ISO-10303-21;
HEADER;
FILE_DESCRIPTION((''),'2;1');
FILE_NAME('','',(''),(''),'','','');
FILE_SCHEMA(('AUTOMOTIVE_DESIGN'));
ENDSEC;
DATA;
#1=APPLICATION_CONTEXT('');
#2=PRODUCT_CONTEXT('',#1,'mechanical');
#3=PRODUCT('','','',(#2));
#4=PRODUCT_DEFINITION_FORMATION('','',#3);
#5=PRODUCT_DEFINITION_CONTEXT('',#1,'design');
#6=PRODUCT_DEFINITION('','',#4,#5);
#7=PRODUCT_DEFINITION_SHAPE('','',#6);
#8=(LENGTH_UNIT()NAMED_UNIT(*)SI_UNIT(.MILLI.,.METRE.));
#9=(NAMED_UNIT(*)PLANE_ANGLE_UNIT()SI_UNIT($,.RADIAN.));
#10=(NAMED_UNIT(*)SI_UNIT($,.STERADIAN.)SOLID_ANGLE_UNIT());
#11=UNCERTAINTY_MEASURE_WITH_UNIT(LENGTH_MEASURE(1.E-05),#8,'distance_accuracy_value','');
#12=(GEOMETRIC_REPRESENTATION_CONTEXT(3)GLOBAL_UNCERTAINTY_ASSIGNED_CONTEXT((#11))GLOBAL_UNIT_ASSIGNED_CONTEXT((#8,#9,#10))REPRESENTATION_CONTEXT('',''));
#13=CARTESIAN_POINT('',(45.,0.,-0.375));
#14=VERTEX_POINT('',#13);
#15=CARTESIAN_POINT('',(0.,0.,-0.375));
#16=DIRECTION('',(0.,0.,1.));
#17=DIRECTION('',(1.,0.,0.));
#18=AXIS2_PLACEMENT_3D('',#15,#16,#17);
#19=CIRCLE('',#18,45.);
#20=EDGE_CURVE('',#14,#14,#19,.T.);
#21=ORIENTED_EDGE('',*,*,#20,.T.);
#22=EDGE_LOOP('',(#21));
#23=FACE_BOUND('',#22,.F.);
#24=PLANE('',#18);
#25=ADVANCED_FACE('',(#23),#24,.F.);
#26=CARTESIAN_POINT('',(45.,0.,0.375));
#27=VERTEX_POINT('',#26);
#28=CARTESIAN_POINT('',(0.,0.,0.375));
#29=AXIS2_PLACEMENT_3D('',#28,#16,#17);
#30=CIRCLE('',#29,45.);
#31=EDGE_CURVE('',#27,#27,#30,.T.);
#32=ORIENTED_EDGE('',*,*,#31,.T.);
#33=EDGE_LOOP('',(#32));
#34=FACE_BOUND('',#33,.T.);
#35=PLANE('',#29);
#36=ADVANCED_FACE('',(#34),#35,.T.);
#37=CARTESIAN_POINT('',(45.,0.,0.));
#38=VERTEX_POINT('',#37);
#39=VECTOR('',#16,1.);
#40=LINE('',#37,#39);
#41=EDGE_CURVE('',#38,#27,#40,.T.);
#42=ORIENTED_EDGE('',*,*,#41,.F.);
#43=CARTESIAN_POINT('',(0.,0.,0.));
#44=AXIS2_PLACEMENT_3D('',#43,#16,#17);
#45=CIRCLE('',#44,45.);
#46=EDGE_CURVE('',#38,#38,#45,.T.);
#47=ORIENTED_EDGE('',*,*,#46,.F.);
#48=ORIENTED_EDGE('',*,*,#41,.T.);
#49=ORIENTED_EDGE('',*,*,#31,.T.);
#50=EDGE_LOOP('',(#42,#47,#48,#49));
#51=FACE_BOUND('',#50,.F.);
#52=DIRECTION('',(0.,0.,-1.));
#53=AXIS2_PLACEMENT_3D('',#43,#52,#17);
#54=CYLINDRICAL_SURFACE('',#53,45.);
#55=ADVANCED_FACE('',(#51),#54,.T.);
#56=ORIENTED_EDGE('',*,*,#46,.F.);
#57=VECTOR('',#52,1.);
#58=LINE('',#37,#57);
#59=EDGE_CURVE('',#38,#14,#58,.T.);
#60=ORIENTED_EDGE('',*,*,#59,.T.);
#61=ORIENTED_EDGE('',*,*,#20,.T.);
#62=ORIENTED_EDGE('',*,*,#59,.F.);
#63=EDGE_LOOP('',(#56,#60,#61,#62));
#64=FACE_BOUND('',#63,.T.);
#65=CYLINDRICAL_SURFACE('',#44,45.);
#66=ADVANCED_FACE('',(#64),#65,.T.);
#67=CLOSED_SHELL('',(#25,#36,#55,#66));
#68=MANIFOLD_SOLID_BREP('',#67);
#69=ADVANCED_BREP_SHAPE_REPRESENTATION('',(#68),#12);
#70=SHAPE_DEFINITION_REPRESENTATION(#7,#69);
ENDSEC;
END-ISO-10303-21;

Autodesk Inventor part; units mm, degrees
ref_plane "YZ Plane" through (0, 0, 0) normal (1, 0, 0) x (0, 1, 0)
ref_plane "XZ Plane" through (0, 0, 0) normal (0, 1, 0) x (-1, 0, 0)
ref_plane "XY Plane" through (0, 0, 0) normal (0, 0, 1) x (1, 0, 0)
sketch "Sketch1" plane through (0, 0, 0) normal (0, 0, 1) x (1, 0, 0)
  circle A0 centre (0, 0) radius 45
  dimension "d0" = 90
extrude "Extrusion1" add sketch "Sketch1" along normal mid plane 0.75
properties part number "Filter"
